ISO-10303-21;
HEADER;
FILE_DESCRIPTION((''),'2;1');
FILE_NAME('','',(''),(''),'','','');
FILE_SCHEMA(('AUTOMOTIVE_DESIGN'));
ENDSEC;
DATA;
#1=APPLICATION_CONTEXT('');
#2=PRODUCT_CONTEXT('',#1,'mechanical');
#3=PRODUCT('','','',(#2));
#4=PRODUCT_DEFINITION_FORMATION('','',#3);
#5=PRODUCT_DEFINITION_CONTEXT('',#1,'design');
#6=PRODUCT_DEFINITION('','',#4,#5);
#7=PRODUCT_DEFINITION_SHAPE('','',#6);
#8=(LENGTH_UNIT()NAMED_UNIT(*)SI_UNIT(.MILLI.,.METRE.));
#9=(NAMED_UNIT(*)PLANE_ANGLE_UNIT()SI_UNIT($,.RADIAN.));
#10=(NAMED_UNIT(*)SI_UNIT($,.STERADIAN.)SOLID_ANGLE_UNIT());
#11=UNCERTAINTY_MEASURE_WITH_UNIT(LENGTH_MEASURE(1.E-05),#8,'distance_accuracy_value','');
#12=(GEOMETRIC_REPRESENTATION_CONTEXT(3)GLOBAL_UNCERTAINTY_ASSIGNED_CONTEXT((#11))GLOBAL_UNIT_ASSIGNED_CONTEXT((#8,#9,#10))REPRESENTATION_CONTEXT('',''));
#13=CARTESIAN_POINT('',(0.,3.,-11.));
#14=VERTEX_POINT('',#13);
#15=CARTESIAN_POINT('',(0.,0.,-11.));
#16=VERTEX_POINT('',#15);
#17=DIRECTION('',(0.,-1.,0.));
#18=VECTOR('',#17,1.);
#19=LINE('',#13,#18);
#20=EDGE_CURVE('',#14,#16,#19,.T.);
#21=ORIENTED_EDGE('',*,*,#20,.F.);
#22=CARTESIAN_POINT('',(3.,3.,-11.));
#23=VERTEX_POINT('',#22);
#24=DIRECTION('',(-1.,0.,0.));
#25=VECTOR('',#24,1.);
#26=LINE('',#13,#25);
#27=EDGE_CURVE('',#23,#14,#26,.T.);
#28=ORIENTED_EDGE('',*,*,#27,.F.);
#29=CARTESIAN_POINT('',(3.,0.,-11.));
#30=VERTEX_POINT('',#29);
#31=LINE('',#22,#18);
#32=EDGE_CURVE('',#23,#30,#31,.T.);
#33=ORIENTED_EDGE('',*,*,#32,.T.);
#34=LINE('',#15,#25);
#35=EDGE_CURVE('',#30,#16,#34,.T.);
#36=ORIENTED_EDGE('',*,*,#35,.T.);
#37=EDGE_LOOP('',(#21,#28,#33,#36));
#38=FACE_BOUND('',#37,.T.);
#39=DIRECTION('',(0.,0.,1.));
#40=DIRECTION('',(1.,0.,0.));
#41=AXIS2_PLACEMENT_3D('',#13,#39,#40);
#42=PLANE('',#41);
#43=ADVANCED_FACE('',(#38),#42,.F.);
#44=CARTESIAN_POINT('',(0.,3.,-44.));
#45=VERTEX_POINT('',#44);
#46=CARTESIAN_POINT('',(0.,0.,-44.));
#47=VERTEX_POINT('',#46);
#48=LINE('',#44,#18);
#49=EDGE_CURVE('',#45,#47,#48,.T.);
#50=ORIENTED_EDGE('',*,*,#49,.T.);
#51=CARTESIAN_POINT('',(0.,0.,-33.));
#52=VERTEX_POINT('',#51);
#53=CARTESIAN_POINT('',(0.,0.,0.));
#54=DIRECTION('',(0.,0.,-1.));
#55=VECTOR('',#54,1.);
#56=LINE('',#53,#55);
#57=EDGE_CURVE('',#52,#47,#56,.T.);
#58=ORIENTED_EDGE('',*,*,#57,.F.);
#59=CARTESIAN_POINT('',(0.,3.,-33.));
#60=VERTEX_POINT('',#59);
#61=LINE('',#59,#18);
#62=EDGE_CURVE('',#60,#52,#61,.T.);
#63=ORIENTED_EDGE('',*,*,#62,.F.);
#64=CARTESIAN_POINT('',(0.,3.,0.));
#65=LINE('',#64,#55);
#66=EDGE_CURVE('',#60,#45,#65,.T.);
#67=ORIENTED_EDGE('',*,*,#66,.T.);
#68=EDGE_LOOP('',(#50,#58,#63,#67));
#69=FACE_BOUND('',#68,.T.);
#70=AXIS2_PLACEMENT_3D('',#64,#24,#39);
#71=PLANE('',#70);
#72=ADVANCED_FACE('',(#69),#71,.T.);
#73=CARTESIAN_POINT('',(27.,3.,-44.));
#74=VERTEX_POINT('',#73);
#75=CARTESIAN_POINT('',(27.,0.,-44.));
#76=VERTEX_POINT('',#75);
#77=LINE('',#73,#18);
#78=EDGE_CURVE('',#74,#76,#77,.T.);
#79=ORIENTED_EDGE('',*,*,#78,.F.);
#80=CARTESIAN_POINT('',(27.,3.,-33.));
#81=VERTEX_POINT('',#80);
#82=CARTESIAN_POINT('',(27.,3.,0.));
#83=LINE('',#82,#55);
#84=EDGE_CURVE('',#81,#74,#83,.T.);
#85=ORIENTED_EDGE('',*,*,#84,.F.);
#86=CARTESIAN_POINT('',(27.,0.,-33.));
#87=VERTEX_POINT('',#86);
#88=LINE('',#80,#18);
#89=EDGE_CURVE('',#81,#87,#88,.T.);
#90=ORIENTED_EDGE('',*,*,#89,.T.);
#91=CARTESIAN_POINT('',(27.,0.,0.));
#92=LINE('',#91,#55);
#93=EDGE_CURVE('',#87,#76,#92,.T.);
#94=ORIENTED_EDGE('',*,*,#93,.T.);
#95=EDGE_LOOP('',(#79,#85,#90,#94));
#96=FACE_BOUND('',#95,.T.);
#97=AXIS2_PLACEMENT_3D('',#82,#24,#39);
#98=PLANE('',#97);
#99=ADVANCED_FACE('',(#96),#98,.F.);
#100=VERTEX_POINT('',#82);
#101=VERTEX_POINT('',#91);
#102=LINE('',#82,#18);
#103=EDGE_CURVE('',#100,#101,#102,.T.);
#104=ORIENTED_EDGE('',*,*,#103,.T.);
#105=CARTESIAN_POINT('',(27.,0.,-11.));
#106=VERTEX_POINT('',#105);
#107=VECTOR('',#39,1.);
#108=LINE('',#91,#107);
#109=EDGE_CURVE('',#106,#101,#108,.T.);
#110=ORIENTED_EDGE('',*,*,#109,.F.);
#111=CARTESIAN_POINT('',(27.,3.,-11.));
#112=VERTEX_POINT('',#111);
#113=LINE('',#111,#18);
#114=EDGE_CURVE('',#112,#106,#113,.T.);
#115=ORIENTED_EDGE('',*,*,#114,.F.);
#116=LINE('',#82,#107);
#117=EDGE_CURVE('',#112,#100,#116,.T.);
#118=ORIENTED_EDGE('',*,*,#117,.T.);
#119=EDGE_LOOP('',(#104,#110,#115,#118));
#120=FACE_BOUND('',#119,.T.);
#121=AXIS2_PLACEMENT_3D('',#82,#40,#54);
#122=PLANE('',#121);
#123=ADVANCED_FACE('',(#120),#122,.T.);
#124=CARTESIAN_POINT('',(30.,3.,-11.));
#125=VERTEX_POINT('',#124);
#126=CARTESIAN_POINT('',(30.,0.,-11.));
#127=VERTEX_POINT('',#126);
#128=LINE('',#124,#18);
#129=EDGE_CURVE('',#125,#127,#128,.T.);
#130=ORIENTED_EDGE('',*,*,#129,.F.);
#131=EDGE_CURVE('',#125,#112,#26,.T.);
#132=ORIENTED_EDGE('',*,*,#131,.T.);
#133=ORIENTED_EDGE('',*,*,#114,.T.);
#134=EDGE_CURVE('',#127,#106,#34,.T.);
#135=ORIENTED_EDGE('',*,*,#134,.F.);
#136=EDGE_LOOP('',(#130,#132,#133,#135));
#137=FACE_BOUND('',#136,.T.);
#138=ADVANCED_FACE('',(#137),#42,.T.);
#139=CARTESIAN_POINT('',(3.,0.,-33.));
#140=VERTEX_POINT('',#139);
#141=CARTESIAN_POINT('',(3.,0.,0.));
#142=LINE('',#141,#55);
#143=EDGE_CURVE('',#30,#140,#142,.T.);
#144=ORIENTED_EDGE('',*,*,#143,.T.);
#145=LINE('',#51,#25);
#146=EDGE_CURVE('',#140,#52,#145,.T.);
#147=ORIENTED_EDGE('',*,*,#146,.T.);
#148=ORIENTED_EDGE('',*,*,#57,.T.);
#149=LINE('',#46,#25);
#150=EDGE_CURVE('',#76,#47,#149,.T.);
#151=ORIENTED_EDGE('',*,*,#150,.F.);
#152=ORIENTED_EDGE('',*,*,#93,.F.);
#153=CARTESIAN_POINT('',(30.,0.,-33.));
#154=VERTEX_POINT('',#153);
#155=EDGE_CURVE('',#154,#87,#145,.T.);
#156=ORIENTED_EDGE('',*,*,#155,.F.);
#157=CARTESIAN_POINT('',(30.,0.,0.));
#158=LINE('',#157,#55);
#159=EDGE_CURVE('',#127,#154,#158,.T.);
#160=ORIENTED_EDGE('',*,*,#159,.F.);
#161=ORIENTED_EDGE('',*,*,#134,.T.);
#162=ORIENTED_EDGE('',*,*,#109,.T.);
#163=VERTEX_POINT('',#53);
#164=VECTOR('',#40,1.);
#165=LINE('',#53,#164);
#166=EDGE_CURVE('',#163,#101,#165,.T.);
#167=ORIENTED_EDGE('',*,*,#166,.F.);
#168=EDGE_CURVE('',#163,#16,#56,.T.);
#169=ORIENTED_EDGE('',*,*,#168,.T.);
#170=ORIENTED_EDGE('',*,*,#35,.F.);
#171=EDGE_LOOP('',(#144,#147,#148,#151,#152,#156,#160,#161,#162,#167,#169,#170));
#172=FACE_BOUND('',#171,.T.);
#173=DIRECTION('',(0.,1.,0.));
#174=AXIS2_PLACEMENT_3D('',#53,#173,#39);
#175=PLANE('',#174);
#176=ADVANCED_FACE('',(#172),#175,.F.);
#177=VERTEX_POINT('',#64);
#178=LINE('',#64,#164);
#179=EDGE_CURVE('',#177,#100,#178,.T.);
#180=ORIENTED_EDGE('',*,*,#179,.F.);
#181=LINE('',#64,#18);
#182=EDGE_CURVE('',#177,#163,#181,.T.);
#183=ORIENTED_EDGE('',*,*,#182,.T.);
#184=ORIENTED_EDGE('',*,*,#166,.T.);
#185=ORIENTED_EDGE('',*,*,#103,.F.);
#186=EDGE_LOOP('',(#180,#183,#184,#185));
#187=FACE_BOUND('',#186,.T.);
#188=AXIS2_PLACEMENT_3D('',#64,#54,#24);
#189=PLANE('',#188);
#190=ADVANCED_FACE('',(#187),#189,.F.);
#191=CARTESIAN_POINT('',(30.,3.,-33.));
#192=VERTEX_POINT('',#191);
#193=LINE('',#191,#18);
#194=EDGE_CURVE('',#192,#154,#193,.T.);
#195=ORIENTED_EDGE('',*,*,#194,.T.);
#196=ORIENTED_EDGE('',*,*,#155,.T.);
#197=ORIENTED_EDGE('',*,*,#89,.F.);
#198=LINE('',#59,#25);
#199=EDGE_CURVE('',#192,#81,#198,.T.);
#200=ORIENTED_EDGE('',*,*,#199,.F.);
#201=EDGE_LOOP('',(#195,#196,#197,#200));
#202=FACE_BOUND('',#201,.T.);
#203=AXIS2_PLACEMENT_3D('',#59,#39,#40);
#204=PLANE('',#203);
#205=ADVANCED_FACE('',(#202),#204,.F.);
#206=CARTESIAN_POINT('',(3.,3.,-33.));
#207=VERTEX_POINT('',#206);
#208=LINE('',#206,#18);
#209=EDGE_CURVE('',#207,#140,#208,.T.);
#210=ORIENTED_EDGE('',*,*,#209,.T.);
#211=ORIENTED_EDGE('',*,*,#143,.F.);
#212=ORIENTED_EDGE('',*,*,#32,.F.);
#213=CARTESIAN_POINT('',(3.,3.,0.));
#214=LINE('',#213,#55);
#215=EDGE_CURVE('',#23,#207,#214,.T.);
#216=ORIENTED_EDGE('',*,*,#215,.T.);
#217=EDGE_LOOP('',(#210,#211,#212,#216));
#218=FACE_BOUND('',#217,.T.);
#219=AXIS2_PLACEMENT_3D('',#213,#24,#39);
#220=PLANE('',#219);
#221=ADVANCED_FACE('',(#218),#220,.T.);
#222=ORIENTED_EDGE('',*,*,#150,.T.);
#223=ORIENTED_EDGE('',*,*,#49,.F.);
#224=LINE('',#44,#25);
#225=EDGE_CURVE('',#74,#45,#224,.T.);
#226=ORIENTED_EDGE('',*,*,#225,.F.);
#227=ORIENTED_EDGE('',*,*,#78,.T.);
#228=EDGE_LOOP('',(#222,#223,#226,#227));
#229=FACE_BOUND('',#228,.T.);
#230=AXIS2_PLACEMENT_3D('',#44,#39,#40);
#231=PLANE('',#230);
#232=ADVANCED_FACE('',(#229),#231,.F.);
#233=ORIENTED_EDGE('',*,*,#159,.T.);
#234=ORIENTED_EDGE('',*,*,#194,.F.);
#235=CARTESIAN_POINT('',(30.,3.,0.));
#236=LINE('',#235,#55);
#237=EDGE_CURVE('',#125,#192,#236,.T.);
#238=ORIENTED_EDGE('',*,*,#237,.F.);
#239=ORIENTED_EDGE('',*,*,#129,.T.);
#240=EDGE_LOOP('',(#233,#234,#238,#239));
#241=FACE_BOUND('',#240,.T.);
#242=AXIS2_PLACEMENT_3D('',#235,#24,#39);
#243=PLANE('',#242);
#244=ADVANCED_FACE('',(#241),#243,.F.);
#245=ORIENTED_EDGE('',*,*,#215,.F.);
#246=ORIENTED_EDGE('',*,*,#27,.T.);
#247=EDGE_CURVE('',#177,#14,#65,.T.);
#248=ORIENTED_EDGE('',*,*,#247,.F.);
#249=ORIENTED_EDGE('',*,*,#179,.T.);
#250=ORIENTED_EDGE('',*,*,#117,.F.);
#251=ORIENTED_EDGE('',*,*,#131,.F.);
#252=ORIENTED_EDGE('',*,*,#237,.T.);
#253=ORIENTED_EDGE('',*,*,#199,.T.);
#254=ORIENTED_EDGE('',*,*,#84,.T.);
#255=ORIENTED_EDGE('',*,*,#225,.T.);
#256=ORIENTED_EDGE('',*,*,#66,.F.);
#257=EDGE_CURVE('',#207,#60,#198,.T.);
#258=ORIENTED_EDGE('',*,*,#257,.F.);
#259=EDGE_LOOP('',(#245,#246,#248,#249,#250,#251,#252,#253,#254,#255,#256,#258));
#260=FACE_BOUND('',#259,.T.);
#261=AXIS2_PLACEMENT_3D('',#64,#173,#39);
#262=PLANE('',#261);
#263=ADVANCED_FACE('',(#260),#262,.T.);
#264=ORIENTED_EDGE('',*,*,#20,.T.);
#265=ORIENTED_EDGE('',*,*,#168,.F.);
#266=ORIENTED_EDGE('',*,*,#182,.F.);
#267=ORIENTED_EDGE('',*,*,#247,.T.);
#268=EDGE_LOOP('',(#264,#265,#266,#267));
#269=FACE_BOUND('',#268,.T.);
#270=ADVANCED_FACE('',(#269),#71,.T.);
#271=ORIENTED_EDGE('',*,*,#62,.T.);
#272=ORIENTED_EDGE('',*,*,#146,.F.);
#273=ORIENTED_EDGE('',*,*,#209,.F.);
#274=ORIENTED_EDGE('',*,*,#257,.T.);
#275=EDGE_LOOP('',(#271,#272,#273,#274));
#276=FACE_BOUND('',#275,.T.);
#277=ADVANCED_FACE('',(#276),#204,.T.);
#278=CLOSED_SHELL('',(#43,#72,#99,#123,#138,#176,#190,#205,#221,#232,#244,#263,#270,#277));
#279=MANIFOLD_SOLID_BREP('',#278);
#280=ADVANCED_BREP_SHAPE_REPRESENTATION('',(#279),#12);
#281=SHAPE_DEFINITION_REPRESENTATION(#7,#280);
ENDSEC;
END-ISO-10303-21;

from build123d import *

# Parameters (mm, degrees)
SALIENTE_EXTRUIR1_DEPTH = 3


with BuildPart() as part:
    # Croquis1 → Saliente-Extruir1 (new body)
    with BuildSketch(Plane(origin=(0, 0, 0), x_dir=(1, 0, 0), z_dir=(0, 1, 0))):
        Polygon((0, 33), (0, 44), (27, 44), (27, 33), (30, 33), (30, 11), (27, 11), (27, 0), (0, 0), (0, 11), (3, 11), (3, 22), (3, 33), align=None)
    extrude(amount=SALIENTE_EXTRUIR1_DEPTH)


solid = part.part
